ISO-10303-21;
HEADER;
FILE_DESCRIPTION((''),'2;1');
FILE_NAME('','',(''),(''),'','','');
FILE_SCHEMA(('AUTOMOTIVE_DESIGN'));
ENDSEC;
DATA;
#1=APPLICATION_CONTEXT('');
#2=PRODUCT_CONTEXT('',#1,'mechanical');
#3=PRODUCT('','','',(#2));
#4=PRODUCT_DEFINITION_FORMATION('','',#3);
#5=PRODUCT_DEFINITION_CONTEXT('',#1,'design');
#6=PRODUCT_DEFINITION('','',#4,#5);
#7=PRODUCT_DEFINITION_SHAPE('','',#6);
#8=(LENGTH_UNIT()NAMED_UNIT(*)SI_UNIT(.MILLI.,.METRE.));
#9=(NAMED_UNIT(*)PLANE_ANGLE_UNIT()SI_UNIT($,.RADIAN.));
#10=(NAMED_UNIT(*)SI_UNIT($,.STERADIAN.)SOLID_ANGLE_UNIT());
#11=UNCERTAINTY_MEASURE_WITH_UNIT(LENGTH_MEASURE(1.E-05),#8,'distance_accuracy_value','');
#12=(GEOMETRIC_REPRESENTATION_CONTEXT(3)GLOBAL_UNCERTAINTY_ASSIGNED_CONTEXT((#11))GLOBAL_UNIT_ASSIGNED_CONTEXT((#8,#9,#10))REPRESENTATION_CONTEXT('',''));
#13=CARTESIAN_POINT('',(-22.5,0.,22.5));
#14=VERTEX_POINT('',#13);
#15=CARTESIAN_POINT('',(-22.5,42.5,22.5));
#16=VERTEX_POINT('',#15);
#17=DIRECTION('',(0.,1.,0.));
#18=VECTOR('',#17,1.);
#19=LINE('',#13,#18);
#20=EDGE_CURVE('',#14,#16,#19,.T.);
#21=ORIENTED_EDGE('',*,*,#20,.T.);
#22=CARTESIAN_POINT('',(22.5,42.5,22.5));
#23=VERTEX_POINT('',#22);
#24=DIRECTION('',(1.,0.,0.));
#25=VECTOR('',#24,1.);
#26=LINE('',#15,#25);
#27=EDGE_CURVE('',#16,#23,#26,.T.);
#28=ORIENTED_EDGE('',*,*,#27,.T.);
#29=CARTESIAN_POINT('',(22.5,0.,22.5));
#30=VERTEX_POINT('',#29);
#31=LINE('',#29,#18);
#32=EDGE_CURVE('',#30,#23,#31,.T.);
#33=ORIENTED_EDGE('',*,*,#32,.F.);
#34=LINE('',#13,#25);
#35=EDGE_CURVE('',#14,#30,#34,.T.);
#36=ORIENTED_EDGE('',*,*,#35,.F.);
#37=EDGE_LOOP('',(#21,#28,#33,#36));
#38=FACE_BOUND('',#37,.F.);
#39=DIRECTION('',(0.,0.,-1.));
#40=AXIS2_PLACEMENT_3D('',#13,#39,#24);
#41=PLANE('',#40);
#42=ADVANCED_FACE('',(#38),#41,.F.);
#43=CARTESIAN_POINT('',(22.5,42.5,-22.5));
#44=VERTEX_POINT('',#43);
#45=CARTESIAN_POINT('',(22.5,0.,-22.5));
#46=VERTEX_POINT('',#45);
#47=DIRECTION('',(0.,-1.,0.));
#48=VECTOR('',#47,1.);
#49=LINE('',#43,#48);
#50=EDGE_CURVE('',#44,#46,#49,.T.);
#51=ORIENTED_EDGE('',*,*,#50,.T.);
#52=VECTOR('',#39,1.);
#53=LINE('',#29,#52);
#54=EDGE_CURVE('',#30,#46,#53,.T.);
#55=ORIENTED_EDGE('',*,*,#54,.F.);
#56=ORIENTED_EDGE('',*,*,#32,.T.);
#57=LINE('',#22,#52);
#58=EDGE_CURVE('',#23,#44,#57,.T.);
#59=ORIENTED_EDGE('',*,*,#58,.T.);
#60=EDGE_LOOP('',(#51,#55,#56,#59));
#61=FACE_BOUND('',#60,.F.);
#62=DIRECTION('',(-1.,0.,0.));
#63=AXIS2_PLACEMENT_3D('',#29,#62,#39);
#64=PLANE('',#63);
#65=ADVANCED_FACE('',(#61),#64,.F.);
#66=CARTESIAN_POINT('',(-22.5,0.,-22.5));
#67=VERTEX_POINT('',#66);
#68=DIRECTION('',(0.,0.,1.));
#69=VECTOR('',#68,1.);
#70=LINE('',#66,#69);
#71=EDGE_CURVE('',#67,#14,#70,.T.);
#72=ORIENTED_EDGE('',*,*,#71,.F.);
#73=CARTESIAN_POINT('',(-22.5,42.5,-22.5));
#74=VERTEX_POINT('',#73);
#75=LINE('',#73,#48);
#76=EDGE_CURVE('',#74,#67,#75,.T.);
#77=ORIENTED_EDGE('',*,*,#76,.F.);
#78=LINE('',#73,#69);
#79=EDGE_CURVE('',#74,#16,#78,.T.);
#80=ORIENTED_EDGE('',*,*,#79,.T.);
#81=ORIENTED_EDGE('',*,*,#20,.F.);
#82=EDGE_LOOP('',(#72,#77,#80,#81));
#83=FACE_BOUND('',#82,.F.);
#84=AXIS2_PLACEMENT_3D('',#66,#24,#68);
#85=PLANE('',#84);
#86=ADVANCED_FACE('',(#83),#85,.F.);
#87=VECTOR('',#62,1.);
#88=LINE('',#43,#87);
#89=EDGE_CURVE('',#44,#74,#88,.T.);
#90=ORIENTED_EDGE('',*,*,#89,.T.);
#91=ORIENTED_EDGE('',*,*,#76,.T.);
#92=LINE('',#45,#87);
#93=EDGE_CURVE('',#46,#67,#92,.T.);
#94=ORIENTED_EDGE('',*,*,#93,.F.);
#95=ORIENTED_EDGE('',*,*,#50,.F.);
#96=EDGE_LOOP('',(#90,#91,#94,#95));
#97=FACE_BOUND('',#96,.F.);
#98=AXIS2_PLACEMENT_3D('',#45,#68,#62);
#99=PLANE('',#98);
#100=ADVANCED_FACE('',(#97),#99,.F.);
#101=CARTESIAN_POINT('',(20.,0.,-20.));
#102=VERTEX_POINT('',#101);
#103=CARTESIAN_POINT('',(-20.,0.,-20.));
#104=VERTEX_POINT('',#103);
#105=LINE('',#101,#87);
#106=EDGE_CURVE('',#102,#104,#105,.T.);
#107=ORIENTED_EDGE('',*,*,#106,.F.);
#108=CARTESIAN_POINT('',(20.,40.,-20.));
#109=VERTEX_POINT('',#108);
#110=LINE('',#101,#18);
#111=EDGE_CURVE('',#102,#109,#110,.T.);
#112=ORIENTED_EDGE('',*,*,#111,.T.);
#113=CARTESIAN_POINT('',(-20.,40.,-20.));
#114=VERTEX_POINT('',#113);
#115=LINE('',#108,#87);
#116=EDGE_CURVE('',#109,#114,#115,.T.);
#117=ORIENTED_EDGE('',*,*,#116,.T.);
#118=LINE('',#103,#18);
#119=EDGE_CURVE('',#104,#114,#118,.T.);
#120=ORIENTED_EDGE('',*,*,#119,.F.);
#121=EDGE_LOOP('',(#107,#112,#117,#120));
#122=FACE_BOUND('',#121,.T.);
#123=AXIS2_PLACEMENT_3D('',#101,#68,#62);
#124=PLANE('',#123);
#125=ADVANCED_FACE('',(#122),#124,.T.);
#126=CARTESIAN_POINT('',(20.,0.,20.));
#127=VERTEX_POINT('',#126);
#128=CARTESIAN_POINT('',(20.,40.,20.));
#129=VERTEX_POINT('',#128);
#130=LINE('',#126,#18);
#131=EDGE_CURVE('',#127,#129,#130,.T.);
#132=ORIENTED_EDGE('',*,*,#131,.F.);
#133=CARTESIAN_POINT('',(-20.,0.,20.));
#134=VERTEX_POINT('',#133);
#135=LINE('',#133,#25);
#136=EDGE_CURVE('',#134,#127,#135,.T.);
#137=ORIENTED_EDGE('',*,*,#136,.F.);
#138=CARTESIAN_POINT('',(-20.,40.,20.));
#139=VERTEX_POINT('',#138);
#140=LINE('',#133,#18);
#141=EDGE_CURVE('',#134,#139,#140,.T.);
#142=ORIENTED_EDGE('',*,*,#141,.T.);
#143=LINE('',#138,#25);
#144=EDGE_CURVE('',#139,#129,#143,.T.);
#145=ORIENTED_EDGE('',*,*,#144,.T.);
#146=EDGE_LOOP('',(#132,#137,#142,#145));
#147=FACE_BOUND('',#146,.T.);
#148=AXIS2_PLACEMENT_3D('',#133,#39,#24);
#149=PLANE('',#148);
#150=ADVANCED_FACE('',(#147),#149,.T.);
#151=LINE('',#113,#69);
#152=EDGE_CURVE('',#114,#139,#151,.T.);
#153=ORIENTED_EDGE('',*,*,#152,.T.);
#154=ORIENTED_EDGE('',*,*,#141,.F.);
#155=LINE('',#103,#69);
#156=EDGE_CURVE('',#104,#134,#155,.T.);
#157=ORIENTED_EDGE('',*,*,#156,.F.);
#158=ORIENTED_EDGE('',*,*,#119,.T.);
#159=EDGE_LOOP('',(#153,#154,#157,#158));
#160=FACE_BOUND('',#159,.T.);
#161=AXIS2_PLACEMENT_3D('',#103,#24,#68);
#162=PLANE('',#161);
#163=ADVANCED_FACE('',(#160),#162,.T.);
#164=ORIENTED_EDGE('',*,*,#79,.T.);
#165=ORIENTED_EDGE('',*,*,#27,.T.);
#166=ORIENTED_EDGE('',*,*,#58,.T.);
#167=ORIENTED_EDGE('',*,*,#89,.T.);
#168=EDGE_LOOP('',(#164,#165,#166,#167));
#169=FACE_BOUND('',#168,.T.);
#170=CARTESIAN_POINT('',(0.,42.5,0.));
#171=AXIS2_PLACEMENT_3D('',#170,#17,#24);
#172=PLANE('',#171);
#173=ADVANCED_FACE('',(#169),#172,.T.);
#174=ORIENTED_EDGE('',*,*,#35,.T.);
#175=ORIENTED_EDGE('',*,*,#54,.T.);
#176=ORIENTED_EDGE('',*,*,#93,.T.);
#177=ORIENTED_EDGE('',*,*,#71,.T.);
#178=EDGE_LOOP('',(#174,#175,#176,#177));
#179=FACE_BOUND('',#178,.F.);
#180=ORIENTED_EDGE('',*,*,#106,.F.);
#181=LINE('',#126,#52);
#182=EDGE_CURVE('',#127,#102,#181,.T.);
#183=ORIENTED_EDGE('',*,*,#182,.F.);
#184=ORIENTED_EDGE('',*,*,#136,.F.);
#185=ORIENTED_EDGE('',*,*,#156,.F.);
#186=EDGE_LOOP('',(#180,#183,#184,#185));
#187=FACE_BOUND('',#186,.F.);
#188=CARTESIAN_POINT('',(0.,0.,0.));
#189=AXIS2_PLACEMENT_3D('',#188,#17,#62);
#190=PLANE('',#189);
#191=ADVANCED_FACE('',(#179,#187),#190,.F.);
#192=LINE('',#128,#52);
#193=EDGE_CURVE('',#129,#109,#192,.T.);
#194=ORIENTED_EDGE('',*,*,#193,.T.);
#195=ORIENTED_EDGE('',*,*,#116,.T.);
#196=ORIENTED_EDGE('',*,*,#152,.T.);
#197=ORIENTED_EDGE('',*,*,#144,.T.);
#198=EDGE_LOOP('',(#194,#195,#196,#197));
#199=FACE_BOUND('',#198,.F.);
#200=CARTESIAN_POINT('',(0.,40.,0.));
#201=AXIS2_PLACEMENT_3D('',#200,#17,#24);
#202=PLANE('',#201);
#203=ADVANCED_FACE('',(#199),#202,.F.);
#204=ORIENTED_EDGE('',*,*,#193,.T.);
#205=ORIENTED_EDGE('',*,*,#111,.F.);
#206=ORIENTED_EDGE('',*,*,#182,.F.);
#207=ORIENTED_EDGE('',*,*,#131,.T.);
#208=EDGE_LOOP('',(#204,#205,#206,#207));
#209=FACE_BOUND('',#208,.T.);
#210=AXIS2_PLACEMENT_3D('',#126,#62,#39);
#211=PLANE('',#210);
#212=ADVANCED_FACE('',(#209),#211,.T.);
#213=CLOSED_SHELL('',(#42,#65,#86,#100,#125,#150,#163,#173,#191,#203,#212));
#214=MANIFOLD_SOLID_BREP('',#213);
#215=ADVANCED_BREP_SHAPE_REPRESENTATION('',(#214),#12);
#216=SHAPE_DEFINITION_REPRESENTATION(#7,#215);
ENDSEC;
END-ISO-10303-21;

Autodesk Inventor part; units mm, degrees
ref_plane "YZ Plane" through (0, 0, 0) normal (1, 0, 0) x (0, 1, 0)
ref_plane "XZ Plane" through (0, 0, 0) normal (0, 1, 0) x (-1, 0, 0)
ref_plane "XY Plane" through (0, 0, 0) normal (0, 0, 1) x (1, 0, 0)
sketch "Sketch1" plane through (0, 0, 0) normal (0, 1, 0) x (-1, 0, 0)
  line L0 (0, -31.5) -> (0, 31.5) construction
  line L1 (-31.5, 0) -> (31.5, 0) construction
  line L2 (22.5, 22.5) -> (-22.5, 22.5)
  line L3 (-22.5, 22.5) -> (-22.5, -22.5)
  line L4 (-22.5, -22.5) -> (22.5, -22.5)
  line L5 (22.5, -22.5) -> (22.5, 22.5)
  line L6 (20, 20) -> (-20, 20)
  line L7 (-20, 20) -> (-20, -20)
  line L8 (-20, -20) -> (20, -20)
  line L9 (20, -20) -> (20, 20)
  point P0 (0, 0)
  dimension "d0" = 45
  dimension "d1" = 45
  dimension "d2" = 40
  dimension "d3" = 40
extrude "Extrusion1" add sketch "Sketch1" along normal blind 40
sketch "Sketch2" plane through (0, 40, 0) normal (0, 1, 0) x (1, 0, 0)
  line L0 (-22.5, 22.5) -> (-22.5, -22.5) projected
  line L1 (-22.5, -22.5) -> (22.5, -22.5) projected
  line L2 (22.5, -22.5) -> (22.5, 22.5) projected
  line L3 (22.5, 22.5) -> (-22.5, 22.5) projected
  point P0 (0, 0)
extrude "Extrusion2" add sketch "Sketch2" along normal blind 2.5
properties part number "40mm-Macrocuvette-704-002-40-10" material "Glass"
